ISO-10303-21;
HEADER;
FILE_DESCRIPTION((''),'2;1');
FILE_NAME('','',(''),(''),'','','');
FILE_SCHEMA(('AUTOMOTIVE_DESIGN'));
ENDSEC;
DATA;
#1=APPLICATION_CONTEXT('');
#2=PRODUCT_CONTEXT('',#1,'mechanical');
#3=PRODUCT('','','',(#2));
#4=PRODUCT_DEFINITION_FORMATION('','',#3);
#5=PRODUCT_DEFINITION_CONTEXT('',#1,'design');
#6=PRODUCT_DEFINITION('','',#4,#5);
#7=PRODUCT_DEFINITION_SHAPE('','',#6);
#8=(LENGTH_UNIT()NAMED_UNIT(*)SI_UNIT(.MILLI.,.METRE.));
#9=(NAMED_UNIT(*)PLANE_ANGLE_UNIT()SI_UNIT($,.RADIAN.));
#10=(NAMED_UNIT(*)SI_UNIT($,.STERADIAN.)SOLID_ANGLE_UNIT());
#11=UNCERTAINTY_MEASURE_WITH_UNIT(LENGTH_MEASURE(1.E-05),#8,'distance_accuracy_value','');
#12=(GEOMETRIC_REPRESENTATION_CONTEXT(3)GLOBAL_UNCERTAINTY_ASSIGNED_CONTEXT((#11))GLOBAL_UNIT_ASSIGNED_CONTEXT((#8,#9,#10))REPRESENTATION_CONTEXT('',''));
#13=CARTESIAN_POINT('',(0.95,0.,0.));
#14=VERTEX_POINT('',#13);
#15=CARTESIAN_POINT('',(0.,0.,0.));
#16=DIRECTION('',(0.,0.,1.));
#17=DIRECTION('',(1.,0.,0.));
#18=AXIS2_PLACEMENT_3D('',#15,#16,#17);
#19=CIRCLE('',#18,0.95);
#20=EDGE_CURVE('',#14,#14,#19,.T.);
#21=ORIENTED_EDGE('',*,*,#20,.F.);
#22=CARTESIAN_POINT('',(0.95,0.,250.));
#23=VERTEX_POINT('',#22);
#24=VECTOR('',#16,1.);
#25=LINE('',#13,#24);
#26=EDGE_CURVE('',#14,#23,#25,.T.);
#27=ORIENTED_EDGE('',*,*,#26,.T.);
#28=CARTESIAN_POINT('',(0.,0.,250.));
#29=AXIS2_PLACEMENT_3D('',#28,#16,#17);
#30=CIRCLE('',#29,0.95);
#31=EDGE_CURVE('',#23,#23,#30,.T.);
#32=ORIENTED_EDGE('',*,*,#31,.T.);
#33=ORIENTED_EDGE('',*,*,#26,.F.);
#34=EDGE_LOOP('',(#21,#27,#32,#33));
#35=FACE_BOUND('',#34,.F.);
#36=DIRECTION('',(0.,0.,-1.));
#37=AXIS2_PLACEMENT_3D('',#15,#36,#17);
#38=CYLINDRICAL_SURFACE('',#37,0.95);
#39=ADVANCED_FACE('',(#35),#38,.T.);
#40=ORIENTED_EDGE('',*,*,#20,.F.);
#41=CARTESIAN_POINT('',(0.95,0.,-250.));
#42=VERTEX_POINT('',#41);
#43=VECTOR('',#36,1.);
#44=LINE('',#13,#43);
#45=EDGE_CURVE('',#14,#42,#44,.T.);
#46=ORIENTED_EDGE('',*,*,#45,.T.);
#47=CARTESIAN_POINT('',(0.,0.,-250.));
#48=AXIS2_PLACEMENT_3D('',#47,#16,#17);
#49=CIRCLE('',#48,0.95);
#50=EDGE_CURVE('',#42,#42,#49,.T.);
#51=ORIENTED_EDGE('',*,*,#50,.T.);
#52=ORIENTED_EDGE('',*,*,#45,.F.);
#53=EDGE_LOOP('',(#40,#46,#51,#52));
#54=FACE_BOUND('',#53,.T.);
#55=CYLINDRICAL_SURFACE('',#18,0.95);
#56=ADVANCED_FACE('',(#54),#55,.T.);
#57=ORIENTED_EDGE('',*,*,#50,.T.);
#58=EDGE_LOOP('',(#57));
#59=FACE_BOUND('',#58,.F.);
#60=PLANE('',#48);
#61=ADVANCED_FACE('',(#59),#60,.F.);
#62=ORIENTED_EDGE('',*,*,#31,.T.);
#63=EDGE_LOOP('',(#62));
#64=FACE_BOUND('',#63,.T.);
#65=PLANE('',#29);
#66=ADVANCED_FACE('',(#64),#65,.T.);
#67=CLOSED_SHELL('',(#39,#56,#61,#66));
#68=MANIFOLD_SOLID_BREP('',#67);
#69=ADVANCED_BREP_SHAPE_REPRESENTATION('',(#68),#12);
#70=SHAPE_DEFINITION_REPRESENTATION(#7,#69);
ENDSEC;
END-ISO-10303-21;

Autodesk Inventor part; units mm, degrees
ref_plane "YZ Plane" through (0, 0, 0) normal (1, 0, 0) x (0, 1, 0)
ref_plane "XZ Plane" through (0, 0, 0) normal (0, 1, 0) x (-1, 0, 0)
ref_plane "XY Plane" through (0, 0, 0) normal (0, 0, 1) x (1, 0, 0)
sketch "Náčrt1" plane through (0, 0, 0) normal (0, 0, 1) x (1, 0, 0)
  circle A0 centre (0, 0) radius 0.95
  dimension "d0" = 1.9
extrude "Vysunutí1" add sketch "Náčrt1" along normal mid plane 500
properties part number "tyč"
